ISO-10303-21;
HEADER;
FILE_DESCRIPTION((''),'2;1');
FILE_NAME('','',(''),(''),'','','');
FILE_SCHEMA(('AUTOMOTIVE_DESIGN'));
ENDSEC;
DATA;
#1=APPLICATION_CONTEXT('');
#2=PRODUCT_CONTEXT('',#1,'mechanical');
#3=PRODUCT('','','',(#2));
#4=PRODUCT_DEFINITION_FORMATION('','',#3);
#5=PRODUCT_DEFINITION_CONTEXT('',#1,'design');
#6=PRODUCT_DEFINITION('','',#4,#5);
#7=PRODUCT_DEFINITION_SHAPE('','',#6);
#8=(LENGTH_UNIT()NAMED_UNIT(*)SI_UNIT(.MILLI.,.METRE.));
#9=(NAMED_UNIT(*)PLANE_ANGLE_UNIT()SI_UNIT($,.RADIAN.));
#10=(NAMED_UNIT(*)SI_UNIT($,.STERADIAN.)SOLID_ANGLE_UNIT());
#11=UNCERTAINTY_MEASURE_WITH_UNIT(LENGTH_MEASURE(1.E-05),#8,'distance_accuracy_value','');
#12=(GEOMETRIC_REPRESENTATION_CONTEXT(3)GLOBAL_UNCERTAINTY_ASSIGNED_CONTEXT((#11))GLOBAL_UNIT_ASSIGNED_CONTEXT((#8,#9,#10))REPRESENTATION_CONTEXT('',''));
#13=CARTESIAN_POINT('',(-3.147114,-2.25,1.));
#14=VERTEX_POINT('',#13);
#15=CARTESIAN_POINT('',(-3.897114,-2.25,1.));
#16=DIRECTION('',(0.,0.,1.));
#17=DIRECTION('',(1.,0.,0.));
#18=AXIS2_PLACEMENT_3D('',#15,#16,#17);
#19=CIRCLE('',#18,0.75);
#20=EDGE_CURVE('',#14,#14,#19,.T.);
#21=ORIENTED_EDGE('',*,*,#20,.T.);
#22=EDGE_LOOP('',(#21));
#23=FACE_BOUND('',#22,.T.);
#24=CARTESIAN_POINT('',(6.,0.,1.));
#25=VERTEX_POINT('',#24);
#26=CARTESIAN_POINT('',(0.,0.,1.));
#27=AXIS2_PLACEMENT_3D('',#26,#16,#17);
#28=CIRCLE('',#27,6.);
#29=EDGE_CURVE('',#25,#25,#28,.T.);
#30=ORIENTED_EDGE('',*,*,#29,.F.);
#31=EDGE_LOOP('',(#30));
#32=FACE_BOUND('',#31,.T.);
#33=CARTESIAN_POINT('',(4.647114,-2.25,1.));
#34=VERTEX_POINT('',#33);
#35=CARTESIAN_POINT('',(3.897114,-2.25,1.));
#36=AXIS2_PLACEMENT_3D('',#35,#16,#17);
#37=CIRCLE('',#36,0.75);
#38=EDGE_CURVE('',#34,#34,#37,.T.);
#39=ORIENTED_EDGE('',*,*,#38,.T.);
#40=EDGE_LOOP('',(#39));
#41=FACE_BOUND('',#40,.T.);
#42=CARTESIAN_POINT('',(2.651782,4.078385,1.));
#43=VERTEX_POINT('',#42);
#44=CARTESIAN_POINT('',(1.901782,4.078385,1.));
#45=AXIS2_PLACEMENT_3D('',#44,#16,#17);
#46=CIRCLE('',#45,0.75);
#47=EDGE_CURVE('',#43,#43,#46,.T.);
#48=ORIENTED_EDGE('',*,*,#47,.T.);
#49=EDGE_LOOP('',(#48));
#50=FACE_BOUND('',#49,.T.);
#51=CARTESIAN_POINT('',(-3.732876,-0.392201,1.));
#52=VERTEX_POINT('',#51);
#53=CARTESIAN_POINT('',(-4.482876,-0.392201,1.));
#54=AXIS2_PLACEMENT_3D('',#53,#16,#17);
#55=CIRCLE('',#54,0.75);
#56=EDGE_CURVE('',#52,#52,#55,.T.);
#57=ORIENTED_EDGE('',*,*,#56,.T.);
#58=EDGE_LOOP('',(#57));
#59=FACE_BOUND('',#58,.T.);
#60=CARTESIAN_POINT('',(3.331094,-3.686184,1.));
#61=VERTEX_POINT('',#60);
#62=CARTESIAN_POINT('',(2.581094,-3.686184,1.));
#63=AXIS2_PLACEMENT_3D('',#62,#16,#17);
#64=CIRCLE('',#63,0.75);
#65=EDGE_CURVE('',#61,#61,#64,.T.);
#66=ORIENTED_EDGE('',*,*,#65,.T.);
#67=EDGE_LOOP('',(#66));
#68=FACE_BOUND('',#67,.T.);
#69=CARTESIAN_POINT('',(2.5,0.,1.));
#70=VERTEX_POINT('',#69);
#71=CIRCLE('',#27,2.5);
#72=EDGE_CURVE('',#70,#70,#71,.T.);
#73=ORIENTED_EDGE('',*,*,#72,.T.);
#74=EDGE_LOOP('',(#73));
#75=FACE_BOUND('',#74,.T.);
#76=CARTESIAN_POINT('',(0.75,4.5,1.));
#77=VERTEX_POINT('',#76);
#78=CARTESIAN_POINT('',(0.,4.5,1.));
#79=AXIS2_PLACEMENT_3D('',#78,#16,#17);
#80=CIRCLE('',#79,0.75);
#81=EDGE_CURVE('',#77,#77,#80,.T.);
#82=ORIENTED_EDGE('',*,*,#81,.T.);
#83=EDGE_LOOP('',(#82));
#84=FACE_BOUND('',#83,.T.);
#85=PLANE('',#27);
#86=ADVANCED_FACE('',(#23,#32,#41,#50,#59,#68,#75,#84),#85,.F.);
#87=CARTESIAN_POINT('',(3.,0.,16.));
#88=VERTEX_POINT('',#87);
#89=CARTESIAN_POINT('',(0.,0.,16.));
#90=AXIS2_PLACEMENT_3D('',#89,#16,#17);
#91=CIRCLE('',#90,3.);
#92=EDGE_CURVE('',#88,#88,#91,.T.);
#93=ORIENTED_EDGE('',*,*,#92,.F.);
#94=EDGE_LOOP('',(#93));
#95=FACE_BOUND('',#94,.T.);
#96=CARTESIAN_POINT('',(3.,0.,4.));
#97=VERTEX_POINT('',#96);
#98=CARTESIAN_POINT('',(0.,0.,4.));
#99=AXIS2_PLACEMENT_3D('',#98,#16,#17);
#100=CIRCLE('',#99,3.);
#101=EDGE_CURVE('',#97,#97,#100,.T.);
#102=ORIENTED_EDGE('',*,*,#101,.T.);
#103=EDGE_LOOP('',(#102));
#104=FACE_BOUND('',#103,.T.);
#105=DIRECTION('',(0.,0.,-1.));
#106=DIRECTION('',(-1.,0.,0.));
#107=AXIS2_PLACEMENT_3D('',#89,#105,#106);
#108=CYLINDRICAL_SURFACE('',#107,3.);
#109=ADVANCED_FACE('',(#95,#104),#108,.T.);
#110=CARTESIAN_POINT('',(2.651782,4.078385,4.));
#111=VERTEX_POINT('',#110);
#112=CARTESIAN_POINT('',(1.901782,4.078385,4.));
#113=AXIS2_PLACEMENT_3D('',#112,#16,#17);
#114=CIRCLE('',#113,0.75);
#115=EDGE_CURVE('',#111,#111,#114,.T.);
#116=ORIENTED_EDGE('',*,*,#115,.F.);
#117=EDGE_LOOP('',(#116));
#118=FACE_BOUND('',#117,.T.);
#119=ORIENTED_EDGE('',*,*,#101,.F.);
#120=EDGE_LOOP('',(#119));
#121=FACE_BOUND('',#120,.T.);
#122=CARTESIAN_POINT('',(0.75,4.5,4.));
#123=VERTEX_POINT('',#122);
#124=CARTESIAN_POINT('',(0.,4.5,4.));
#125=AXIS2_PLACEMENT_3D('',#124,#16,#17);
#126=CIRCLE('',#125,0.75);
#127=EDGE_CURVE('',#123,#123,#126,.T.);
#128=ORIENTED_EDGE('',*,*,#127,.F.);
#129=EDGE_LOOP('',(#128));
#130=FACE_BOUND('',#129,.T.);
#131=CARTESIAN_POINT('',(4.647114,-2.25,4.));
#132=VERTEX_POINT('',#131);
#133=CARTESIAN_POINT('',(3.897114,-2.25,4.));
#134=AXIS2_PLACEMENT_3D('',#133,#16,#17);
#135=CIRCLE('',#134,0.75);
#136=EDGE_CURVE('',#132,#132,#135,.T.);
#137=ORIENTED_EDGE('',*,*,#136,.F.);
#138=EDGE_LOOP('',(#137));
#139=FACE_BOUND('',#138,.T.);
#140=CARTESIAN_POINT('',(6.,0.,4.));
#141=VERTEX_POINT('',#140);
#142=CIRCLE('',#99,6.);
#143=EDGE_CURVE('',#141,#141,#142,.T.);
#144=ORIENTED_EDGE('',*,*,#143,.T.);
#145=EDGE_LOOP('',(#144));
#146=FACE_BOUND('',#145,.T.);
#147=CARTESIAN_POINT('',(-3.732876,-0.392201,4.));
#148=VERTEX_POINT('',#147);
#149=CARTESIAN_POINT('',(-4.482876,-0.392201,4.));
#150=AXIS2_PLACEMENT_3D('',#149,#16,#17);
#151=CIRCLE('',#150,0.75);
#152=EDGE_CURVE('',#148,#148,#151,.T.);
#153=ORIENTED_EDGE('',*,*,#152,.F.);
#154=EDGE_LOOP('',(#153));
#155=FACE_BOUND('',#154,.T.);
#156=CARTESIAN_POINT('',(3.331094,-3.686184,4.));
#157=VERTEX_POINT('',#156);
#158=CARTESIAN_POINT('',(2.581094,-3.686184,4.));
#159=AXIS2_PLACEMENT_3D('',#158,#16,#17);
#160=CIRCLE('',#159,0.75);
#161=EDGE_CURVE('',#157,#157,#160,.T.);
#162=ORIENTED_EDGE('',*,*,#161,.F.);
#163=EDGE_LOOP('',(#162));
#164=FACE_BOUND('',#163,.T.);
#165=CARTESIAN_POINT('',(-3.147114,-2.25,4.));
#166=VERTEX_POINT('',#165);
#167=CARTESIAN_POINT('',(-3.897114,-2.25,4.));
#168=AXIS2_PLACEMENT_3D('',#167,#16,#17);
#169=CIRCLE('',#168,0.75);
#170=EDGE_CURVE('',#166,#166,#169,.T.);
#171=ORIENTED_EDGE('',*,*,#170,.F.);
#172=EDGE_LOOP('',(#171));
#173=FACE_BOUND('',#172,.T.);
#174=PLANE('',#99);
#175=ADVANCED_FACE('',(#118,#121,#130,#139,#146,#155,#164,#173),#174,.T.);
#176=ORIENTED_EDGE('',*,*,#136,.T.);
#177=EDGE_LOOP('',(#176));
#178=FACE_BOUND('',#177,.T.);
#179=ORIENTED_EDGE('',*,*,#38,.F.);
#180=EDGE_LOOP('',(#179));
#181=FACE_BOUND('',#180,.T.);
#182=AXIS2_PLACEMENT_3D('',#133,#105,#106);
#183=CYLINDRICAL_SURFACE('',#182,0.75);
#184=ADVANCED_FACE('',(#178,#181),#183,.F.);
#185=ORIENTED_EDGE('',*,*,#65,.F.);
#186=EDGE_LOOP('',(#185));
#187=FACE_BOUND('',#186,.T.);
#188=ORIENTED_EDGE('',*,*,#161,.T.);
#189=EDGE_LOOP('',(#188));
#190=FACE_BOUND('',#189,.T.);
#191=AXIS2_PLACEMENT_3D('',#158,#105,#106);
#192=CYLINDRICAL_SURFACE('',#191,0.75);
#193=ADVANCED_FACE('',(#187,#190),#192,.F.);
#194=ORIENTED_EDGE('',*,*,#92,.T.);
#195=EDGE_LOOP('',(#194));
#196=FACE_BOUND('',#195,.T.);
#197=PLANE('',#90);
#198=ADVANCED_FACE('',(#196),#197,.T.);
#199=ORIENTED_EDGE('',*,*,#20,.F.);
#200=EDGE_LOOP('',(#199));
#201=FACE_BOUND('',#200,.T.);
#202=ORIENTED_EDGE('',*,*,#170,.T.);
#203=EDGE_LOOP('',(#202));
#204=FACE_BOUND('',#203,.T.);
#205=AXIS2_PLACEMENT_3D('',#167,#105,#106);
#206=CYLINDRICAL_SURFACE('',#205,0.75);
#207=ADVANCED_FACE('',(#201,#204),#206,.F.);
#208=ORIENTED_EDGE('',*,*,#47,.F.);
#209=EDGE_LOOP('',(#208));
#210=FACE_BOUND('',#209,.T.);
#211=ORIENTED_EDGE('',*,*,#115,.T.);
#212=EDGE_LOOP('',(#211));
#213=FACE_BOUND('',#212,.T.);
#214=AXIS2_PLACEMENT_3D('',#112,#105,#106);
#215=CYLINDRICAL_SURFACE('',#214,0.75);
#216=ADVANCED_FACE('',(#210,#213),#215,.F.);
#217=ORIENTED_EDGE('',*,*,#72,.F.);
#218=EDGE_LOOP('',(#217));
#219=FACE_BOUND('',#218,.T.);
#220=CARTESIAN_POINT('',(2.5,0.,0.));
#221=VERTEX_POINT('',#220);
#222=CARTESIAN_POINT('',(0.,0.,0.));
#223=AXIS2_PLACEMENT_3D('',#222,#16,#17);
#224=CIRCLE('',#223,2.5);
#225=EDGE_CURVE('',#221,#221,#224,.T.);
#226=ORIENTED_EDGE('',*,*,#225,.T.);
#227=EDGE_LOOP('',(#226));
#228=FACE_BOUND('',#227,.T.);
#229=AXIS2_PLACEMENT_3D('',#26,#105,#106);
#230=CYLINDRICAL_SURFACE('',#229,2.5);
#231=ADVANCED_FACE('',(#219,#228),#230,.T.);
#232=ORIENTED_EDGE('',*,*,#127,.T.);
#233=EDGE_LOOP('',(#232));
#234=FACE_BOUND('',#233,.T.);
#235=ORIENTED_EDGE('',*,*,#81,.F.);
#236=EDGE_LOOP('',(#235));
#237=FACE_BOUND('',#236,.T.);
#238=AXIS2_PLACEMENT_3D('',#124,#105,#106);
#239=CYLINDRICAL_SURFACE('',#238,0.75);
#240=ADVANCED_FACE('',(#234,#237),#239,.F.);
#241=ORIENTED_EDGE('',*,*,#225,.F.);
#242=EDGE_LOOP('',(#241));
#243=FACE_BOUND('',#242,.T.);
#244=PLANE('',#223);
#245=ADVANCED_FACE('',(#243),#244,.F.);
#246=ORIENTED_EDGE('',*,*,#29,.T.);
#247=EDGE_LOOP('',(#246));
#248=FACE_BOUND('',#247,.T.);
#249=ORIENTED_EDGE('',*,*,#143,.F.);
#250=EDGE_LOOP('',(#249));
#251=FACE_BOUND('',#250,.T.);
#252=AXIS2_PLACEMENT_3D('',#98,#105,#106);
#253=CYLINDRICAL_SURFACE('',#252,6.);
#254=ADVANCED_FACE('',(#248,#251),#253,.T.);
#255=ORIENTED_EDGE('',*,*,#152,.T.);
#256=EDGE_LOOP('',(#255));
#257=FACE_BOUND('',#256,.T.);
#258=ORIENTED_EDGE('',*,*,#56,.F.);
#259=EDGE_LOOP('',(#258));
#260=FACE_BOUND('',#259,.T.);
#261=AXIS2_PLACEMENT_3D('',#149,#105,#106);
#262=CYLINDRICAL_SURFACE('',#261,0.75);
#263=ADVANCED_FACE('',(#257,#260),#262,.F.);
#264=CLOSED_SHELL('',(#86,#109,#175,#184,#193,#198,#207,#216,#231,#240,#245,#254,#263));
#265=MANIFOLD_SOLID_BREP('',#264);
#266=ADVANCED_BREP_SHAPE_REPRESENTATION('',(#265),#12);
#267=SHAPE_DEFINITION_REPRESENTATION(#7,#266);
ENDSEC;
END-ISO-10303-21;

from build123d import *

# Parameters (mm, degrees)
SKETCH_1_R      = 2.5
EXTRUDE_1_DEPTH = 1
SKETCH_2_R      = 6
SKETCH_2_R_2    = 0.75
EXTRUDE_2_DEPTH = 3
SKETCH_3_R      = 3
EXTRUDE_3_DEPTH = 12


with BuildPart() as part:
    # 草图1 → 凸台-拉伸1 (new body)
    with BuildSketch(Plane.XY):
        Circle(SKETCH_1_R)
    extrude(amount=EXTRUDE_1_DEPTH)

    # 草图2 → 凸台-拉伸2 (add)
    with BuildSketch(Plane.XY.offset(1)):
        Circle(SKETCH_2_R)
        with Locations((0, 4.5)):
            Circle(SKETCH_2_R_2, mode=Mode.SUBTRACT)
        with Locations((1.901782178, 4.078385042)):
            Circle(SKETCH_2_R_2, mode=Mode.SUBTRACT)
        with Locations((3.897114317, -2.25)):
            Circle(SKETCH_2_R_2, mode=Mode.SUBTRACT)
        with Locations((2.581093964, -3.686184199)):
            Circle(SKETCH_2_R_2, mode=Mode.SUBTRACT)
        with Locations((-3.897114317, -2.25)):
            Circle(SKETCH_2_R_2, mode=Mode.SUBTRACT)
        with Locations((-4.482876141, -0.392200842)):
            Circle(SKETCH_2_R_2, mode=Mode.SUBTRACT)
    extrude(amount=EXTRUDE_2_DEPTH)

    # 草图3 → 凸台-拉伸3 (add)
    with BuildSketch(Plane.XY.offset(4)):
        Circle(SKETCH_3_R)
    extrude(amount=EXTRUDE_3_DEPTH)


solid = part.part
